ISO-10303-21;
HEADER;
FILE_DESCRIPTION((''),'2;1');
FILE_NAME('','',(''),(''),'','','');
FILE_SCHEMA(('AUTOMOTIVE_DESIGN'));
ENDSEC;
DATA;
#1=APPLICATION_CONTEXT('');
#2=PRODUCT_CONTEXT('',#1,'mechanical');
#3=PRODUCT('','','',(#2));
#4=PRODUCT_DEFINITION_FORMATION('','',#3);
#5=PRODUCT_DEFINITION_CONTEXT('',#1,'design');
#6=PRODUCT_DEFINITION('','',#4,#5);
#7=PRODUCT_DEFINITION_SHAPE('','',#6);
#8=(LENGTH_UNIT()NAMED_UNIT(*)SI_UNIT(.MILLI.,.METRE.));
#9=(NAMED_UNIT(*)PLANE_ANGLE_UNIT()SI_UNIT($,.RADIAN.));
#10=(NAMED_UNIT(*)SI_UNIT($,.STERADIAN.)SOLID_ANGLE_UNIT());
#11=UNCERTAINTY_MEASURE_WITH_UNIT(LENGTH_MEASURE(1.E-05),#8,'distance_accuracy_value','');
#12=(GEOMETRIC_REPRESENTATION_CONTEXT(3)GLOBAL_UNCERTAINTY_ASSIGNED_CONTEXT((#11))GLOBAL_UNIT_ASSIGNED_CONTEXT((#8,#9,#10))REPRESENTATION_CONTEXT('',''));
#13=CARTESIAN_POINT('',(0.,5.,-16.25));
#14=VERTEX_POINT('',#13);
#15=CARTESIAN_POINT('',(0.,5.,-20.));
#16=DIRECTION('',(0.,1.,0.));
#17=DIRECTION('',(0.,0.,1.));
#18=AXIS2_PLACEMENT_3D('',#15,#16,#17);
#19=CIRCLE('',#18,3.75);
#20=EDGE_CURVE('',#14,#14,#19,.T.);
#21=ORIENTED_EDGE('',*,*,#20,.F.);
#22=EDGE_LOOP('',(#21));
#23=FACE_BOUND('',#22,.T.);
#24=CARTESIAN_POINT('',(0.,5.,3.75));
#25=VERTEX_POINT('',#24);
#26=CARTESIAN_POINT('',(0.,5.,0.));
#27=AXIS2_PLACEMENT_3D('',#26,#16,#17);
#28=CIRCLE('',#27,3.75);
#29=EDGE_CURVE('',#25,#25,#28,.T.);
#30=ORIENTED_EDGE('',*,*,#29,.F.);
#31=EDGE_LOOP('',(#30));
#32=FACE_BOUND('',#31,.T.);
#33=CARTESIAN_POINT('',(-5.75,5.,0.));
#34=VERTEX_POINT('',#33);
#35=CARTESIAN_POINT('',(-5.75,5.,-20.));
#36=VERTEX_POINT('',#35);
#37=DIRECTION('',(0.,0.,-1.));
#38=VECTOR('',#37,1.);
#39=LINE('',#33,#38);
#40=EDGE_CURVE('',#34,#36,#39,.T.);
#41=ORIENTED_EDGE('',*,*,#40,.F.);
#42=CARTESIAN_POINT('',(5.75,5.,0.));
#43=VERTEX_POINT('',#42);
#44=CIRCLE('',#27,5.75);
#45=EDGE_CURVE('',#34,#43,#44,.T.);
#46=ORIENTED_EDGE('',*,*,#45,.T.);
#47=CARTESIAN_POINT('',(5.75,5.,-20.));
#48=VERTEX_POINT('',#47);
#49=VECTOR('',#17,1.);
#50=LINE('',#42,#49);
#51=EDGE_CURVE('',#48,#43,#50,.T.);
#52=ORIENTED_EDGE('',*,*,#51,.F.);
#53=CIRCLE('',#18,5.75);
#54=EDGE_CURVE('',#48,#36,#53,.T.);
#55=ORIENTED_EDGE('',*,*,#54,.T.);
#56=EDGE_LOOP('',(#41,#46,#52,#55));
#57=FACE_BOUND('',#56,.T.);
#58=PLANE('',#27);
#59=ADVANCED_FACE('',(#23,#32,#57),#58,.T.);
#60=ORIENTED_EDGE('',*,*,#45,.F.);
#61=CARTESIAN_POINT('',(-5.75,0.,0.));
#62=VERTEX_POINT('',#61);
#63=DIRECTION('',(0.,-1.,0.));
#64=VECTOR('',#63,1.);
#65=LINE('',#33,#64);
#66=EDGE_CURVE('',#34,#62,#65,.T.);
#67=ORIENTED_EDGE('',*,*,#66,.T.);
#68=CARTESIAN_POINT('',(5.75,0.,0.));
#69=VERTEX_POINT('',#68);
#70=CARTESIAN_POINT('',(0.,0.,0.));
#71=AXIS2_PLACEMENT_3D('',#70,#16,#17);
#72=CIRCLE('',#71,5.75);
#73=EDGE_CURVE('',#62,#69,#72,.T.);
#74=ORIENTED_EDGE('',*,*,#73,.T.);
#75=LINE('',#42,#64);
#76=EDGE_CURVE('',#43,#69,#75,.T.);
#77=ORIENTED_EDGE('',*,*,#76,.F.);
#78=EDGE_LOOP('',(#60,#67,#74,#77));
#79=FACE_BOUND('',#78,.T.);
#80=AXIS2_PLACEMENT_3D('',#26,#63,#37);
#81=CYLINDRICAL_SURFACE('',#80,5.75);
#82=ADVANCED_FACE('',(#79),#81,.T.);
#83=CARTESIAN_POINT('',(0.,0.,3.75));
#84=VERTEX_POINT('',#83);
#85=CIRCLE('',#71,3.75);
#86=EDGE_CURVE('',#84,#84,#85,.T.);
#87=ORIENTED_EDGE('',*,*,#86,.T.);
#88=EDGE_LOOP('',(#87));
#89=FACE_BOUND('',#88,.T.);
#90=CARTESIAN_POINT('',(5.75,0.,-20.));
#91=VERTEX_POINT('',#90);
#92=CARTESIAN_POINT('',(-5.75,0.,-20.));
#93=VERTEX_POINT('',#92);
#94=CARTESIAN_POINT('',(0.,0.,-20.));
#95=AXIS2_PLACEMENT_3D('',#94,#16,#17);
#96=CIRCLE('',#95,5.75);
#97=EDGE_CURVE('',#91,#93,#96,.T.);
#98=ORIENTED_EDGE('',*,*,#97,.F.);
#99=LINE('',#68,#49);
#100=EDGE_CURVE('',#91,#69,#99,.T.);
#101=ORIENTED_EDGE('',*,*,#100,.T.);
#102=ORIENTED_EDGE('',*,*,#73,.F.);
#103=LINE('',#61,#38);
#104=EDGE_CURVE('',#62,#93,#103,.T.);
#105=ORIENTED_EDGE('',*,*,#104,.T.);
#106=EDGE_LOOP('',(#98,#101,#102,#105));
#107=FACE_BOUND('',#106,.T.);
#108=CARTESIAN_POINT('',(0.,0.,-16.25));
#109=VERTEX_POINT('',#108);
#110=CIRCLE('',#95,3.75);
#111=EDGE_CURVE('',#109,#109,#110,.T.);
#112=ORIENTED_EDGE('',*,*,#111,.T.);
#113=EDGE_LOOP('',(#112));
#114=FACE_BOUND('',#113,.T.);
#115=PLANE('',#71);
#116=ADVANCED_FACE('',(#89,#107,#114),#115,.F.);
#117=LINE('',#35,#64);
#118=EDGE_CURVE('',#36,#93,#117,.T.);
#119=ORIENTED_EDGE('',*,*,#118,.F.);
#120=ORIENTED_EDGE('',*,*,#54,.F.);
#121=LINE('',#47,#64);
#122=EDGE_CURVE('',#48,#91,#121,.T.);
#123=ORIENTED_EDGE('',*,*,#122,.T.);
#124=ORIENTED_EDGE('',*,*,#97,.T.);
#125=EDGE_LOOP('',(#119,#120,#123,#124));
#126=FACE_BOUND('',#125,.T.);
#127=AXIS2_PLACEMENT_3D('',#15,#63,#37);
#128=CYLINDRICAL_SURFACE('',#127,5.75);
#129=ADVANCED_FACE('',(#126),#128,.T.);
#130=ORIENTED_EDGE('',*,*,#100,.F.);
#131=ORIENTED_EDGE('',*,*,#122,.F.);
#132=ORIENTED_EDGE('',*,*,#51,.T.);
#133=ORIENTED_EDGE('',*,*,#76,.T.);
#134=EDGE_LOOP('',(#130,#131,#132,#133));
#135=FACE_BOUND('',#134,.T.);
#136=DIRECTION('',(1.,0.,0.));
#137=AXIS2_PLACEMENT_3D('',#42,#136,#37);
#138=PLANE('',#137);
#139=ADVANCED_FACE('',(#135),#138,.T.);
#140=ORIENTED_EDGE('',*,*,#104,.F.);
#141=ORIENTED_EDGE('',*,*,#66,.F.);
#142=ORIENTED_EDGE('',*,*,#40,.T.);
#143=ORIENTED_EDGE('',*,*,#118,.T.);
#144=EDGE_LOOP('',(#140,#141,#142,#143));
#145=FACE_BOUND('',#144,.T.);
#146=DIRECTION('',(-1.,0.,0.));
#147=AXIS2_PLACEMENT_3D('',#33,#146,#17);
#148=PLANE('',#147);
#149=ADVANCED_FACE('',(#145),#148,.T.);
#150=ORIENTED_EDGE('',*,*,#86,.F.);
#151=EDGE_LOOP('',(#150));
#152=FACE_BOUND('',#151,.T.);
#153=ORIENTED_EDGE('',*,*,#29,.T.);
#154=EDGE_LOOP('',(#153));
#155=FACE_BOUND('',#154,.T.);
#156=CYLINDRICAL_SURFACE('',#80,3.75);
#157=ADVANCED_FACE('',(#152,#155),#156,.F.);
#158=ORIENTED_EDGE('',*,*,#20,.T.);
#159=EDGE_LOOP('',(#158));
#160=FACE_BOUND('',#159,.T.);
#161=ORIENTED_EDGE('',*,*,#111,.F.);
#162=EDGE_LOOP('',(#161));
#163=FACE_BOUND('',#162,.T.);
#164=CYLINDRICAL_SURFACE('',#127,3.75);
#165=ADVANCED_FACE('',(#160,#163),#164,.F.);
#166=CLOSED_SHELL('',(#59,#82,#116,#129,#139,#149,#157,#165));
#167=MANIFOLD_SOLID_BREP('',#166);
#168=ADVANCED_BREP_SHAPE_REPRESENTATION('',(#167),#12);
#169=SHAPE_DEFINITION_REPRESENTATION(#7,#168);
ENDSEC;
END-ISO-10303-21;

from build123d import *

# Parameters (mm, degrees)
SKETCH2_R           = 3.75
BOSS_EXTRUDE1_DEPTH = 5


with BuildPart() as part:
    # Sketch2 → Boss-Extrude1 (new body)
    with BuildSketch(Plane(origin=(0, 0, 0), x_dir=(1, 0, 0), z_dir=(0, 1, 0))):
        with BuildLine():
            Line((-5.75, 20), (-5.75, 0))
            ThreePointArc((-5.75, 0), (0, -5.75), (5.75, 0))
            Line((5.75, 0), (5.75, 20))
            ThreePointArc((5.75, 20), (0, 25.75), (-5.75, 20))
        make_face()
        with Locations(Location((0, 0, 0), (0, 0, 270))):
            Circle(SKETCH2_R, mode=Mode.SUBTRACT)
        with Locations(Location((0, 20, 0), (0, 0, 270))):
            Circle(SKETCH2_R, mode=Mode.SUBTRACT)
    extrude(amount=BOSS_EXTRUDE1_DEPTH)


solid = part.part
